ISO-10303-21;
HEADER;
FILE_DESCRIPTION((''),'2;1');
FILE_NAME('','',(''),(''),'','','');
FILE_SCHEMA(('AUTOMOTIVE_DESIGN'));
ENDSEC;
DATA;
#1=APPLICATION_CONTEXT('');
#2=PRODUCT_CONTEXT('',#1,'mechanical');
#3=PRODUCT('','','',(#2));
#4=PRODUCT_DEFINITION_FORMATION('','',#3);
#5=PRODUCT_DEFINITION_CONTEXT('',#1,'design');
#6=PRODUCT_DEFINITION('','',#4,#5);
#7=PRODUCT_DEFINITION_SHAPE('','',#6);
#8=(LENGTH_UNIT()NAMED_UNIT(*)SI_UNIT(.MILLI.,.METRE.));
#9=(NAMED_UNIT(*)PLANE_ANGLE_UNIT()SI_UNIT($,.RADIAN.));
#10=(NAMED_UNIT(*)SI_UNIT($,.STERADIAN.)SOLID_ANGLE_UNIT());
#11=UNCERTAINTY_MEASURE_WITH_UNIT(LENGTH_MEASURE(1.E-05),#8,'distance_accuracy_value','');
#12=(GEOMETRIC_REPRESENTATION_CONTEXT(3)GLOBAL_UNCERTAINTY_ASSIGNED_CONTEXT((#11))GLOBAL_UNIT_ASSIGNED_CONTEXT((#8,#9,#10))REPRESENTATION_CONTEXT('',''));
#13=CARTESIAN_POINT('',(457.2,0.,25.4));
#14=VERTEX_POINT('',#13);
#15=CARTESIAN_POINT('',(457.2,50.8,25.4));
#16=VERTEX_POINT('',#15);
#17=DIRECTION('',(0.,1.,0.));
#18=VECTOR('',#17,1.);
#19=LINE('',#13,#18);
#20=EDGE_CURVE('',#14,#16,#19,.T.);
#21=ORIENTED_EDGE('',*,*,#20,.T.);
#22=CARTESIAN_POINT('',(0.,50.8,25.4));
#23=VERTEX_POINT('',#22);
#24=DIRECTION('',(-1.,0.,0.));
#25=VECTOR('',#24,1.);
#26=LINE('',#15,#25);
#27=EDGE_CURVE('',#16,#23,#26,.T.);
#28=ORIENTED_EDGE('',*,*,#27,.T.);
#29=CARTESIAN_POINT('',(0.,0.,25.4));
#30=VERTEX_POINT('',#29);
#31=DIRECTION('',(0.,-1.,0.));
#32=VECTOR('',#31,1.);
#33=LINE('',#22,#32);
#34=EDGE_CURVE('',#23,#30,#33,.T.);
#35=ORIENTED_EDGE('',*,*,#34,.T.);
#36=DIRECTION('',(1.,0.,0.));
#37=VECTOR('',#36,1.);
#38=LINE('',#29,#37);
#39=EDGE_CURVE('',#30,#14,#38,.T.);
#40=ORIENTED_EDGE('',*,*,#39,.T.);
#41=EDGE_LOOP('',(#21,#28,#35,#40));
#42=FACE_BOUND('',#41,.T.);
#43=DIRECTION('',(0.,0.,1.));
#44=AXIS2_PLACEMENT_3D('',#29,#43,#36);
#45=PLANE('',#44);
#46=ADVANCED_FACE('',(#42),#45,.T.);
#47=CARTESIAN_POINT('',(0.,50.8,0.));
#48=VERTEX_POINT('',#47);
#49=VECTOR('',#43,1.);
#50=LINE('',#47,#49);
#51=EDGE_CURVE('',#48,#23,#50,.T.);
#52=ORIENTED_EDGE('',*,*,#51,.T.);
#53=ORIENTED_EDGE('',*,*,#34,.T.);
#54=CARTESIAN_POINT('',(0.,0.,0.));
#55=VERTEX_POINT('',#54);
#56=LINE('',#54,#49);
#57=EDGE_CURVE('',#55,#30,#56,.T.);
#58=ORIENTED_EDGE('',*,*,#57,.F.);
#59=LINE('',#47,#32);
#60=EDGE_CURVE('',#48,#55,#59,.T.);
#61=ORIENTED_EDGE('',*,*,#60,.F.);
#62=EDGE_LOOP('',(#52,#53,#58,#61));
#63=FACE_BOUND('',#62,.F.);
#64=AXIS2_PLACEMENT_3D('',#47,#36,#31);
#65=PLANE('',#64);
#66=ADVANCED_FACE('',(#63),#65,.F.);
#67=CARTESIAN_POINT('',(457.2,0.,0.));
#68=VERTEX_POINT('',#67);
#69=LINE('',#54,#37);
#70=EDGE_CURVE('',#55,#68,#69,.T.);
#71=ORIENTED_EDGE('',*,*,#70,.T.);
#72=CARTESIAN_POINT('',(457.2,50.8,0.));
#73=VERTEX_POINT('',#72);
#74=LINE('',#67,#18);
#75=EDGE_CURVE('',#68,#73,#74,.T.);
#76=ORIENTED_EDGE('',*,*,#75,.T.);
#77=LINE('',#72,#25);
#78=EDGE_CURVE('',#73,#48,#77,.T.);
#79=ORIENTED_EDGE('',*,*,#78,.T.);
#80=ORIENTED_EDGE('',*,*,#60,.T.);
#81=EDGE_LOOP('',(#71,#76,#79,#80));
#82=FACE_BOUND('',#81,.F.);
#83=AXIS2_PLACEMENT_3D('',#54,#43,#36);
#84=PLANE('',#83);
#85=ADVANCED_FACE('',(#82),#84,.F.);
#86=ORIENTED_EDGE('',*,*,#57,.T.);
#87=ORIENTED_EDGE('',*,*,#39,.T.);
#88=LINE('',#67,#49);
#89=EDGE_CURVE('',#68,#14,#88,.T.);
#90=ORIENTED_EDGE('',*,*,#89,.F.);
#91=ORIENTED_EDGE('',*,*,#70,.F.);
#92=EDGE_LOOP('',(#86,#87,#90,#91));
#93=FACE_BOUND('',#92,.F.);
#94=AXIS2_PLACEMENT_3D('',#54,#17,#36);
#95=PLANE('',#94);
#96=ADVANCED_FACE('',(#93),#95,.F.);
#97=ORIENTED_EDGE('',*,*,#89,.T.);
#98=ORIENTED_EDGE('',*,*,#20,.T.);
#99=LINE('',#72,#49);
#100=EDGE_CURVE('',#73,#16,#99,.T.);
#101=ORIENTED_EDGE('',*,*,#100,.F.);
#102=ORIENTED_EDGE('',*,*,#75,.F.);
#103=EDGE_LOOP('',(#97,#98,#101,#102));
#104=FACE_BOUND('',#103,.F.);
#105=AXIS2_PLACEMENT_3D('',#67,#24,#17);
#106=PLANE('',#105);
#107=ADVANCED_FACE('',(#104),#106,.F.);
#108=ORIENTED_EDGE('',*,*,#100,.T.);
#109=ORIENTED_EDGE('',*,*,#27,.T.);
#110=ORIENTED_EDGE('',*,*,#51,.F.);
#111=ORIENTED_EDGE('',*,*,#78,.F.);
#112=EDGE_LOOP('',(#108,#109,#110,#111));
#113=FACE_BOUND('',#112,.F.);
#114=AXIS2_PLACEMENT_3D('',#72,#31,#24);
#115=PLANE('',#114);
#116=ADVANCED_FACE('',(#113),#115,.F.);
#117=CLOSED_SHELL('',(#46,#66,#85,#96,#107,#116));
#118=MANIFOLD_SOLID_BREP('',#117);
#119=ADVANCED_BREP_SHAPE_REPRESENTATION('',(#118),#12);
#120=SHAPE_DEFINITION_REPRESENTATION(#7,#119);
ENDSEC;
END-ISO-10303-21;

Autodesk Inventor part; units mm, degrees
ref_plane "YZ Plane" through (0, 0, 0) normal (1, 0, 0) x (0, 1, 0)
ref_plane "XZ Plane" through (0, 0, 0) normal (0, 1, 0) x (-1, 0, 0)
ref_plane "XY Plane" through (0, 0, 0) normal (0, 0, 1) x (1, 0, 0)
sketch "Sketch1" plane through (0, 0, 0) normal (0, 0, 1) x (1, 0, 0)
  line L0 (0, 0) -> (457.2, 0)
  line L1 (457.2, 0) -> (457.2, 50.8)
  line L2 (457.2, 50.8) -> (0, 50.8)
  line L3 (0, 50.8) -> (0, 0)
  dimension "d0" = 457.2
  dimension "d1" = 50.8
extrude "Extrusion1" add sketch "Sketch1" along normal blind 25.4
properties part number "BackLiftProtoPart1"
